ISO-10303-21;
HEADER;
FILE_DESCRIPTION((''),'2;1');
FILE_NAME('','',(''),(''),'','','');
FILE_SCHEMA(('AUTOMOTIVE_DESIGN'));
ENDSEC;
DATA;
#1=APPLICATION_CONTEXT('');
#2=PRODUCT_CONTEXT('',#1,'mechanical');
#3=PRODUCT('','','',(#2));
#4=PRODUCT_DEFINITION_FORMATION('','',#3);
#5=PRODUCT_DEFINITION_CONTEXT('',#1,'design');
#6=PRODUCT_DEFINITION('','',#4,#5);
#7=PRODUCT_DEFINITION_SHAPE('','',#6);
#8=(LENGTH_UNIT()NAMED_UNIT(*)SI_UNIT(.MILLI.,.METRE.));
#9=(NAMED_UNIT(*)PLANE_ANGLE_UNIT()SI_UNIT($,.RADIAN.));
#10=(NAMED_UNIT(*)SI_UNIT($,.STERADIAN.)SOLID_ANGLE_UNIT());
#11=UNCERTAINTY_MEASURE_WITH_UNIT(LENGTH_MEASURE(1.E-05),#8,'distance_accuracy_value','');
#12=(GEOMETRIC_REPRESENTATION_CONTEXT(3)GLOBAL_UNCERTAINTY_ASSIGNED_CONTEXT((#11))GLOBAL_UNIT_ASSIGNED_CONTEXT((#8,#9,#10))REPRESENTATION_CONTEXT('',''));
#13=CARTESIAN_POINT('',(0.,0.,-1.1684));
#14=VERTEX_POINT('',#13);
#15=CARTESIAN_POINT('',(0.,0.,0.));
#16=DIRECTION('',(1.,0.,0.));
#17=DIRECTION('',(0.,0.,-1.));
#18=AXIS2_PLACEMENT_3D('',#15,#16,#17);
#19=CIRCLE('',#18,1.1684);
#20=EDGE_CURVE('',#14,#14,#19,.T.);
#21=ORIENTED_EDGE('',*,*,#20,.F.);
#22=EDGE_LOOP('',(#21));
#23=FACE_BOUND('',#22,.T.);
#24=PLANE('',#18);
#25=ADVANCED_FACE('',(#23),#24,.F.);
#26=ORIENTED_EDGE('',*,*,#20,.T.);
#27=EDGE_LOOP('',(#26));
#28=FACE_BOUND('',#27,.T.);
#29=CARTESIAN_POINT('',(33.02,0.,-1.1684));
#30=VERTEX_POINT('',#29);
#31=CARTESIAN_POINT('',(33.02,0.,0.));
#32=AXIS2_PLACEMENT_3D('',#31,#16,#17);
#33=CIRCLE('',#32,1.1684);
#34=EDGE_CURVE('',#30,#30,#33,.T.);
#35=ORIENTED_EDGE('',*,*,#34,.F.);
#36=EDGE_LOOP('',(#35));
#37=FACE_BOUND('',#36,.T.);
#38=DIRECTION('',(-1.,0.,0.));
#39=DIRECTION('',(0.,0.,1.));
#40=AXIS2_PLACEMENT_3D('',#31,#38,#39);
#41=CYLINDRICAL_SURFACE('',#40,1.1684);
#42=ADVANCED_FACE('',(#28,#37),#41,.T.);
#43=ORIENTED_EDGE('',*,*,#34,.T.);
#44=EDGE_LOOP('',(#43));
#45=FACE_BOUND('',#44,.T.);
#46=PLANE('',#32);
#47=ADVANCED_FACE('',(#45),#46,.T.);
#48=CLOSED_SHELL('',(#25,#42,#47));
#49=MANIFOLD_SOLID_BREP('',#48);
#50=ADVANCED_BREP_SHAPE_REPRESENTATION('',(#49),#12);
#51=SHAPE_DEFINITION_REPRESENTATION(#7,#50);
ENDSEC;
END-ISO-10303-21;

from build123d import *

# Parameters (mm, degrees)
SKETCH1_R           = 1.1684
BOSS_EXTRUDE1_DEPTH = 33.02


with BuildPart() as part:
    # Sketch1 → Boss-Extrude1 (new body)
    with BuildSketch(Plane(origin=(0, 0, 0), x_dir=(0, 0, -1), z_dir=(1, 0, 0))):
        Circle(SKETCH1_R)
    extrude(amount=BOSS_EXTRUDE1_DEPTH)


solid = part.part
